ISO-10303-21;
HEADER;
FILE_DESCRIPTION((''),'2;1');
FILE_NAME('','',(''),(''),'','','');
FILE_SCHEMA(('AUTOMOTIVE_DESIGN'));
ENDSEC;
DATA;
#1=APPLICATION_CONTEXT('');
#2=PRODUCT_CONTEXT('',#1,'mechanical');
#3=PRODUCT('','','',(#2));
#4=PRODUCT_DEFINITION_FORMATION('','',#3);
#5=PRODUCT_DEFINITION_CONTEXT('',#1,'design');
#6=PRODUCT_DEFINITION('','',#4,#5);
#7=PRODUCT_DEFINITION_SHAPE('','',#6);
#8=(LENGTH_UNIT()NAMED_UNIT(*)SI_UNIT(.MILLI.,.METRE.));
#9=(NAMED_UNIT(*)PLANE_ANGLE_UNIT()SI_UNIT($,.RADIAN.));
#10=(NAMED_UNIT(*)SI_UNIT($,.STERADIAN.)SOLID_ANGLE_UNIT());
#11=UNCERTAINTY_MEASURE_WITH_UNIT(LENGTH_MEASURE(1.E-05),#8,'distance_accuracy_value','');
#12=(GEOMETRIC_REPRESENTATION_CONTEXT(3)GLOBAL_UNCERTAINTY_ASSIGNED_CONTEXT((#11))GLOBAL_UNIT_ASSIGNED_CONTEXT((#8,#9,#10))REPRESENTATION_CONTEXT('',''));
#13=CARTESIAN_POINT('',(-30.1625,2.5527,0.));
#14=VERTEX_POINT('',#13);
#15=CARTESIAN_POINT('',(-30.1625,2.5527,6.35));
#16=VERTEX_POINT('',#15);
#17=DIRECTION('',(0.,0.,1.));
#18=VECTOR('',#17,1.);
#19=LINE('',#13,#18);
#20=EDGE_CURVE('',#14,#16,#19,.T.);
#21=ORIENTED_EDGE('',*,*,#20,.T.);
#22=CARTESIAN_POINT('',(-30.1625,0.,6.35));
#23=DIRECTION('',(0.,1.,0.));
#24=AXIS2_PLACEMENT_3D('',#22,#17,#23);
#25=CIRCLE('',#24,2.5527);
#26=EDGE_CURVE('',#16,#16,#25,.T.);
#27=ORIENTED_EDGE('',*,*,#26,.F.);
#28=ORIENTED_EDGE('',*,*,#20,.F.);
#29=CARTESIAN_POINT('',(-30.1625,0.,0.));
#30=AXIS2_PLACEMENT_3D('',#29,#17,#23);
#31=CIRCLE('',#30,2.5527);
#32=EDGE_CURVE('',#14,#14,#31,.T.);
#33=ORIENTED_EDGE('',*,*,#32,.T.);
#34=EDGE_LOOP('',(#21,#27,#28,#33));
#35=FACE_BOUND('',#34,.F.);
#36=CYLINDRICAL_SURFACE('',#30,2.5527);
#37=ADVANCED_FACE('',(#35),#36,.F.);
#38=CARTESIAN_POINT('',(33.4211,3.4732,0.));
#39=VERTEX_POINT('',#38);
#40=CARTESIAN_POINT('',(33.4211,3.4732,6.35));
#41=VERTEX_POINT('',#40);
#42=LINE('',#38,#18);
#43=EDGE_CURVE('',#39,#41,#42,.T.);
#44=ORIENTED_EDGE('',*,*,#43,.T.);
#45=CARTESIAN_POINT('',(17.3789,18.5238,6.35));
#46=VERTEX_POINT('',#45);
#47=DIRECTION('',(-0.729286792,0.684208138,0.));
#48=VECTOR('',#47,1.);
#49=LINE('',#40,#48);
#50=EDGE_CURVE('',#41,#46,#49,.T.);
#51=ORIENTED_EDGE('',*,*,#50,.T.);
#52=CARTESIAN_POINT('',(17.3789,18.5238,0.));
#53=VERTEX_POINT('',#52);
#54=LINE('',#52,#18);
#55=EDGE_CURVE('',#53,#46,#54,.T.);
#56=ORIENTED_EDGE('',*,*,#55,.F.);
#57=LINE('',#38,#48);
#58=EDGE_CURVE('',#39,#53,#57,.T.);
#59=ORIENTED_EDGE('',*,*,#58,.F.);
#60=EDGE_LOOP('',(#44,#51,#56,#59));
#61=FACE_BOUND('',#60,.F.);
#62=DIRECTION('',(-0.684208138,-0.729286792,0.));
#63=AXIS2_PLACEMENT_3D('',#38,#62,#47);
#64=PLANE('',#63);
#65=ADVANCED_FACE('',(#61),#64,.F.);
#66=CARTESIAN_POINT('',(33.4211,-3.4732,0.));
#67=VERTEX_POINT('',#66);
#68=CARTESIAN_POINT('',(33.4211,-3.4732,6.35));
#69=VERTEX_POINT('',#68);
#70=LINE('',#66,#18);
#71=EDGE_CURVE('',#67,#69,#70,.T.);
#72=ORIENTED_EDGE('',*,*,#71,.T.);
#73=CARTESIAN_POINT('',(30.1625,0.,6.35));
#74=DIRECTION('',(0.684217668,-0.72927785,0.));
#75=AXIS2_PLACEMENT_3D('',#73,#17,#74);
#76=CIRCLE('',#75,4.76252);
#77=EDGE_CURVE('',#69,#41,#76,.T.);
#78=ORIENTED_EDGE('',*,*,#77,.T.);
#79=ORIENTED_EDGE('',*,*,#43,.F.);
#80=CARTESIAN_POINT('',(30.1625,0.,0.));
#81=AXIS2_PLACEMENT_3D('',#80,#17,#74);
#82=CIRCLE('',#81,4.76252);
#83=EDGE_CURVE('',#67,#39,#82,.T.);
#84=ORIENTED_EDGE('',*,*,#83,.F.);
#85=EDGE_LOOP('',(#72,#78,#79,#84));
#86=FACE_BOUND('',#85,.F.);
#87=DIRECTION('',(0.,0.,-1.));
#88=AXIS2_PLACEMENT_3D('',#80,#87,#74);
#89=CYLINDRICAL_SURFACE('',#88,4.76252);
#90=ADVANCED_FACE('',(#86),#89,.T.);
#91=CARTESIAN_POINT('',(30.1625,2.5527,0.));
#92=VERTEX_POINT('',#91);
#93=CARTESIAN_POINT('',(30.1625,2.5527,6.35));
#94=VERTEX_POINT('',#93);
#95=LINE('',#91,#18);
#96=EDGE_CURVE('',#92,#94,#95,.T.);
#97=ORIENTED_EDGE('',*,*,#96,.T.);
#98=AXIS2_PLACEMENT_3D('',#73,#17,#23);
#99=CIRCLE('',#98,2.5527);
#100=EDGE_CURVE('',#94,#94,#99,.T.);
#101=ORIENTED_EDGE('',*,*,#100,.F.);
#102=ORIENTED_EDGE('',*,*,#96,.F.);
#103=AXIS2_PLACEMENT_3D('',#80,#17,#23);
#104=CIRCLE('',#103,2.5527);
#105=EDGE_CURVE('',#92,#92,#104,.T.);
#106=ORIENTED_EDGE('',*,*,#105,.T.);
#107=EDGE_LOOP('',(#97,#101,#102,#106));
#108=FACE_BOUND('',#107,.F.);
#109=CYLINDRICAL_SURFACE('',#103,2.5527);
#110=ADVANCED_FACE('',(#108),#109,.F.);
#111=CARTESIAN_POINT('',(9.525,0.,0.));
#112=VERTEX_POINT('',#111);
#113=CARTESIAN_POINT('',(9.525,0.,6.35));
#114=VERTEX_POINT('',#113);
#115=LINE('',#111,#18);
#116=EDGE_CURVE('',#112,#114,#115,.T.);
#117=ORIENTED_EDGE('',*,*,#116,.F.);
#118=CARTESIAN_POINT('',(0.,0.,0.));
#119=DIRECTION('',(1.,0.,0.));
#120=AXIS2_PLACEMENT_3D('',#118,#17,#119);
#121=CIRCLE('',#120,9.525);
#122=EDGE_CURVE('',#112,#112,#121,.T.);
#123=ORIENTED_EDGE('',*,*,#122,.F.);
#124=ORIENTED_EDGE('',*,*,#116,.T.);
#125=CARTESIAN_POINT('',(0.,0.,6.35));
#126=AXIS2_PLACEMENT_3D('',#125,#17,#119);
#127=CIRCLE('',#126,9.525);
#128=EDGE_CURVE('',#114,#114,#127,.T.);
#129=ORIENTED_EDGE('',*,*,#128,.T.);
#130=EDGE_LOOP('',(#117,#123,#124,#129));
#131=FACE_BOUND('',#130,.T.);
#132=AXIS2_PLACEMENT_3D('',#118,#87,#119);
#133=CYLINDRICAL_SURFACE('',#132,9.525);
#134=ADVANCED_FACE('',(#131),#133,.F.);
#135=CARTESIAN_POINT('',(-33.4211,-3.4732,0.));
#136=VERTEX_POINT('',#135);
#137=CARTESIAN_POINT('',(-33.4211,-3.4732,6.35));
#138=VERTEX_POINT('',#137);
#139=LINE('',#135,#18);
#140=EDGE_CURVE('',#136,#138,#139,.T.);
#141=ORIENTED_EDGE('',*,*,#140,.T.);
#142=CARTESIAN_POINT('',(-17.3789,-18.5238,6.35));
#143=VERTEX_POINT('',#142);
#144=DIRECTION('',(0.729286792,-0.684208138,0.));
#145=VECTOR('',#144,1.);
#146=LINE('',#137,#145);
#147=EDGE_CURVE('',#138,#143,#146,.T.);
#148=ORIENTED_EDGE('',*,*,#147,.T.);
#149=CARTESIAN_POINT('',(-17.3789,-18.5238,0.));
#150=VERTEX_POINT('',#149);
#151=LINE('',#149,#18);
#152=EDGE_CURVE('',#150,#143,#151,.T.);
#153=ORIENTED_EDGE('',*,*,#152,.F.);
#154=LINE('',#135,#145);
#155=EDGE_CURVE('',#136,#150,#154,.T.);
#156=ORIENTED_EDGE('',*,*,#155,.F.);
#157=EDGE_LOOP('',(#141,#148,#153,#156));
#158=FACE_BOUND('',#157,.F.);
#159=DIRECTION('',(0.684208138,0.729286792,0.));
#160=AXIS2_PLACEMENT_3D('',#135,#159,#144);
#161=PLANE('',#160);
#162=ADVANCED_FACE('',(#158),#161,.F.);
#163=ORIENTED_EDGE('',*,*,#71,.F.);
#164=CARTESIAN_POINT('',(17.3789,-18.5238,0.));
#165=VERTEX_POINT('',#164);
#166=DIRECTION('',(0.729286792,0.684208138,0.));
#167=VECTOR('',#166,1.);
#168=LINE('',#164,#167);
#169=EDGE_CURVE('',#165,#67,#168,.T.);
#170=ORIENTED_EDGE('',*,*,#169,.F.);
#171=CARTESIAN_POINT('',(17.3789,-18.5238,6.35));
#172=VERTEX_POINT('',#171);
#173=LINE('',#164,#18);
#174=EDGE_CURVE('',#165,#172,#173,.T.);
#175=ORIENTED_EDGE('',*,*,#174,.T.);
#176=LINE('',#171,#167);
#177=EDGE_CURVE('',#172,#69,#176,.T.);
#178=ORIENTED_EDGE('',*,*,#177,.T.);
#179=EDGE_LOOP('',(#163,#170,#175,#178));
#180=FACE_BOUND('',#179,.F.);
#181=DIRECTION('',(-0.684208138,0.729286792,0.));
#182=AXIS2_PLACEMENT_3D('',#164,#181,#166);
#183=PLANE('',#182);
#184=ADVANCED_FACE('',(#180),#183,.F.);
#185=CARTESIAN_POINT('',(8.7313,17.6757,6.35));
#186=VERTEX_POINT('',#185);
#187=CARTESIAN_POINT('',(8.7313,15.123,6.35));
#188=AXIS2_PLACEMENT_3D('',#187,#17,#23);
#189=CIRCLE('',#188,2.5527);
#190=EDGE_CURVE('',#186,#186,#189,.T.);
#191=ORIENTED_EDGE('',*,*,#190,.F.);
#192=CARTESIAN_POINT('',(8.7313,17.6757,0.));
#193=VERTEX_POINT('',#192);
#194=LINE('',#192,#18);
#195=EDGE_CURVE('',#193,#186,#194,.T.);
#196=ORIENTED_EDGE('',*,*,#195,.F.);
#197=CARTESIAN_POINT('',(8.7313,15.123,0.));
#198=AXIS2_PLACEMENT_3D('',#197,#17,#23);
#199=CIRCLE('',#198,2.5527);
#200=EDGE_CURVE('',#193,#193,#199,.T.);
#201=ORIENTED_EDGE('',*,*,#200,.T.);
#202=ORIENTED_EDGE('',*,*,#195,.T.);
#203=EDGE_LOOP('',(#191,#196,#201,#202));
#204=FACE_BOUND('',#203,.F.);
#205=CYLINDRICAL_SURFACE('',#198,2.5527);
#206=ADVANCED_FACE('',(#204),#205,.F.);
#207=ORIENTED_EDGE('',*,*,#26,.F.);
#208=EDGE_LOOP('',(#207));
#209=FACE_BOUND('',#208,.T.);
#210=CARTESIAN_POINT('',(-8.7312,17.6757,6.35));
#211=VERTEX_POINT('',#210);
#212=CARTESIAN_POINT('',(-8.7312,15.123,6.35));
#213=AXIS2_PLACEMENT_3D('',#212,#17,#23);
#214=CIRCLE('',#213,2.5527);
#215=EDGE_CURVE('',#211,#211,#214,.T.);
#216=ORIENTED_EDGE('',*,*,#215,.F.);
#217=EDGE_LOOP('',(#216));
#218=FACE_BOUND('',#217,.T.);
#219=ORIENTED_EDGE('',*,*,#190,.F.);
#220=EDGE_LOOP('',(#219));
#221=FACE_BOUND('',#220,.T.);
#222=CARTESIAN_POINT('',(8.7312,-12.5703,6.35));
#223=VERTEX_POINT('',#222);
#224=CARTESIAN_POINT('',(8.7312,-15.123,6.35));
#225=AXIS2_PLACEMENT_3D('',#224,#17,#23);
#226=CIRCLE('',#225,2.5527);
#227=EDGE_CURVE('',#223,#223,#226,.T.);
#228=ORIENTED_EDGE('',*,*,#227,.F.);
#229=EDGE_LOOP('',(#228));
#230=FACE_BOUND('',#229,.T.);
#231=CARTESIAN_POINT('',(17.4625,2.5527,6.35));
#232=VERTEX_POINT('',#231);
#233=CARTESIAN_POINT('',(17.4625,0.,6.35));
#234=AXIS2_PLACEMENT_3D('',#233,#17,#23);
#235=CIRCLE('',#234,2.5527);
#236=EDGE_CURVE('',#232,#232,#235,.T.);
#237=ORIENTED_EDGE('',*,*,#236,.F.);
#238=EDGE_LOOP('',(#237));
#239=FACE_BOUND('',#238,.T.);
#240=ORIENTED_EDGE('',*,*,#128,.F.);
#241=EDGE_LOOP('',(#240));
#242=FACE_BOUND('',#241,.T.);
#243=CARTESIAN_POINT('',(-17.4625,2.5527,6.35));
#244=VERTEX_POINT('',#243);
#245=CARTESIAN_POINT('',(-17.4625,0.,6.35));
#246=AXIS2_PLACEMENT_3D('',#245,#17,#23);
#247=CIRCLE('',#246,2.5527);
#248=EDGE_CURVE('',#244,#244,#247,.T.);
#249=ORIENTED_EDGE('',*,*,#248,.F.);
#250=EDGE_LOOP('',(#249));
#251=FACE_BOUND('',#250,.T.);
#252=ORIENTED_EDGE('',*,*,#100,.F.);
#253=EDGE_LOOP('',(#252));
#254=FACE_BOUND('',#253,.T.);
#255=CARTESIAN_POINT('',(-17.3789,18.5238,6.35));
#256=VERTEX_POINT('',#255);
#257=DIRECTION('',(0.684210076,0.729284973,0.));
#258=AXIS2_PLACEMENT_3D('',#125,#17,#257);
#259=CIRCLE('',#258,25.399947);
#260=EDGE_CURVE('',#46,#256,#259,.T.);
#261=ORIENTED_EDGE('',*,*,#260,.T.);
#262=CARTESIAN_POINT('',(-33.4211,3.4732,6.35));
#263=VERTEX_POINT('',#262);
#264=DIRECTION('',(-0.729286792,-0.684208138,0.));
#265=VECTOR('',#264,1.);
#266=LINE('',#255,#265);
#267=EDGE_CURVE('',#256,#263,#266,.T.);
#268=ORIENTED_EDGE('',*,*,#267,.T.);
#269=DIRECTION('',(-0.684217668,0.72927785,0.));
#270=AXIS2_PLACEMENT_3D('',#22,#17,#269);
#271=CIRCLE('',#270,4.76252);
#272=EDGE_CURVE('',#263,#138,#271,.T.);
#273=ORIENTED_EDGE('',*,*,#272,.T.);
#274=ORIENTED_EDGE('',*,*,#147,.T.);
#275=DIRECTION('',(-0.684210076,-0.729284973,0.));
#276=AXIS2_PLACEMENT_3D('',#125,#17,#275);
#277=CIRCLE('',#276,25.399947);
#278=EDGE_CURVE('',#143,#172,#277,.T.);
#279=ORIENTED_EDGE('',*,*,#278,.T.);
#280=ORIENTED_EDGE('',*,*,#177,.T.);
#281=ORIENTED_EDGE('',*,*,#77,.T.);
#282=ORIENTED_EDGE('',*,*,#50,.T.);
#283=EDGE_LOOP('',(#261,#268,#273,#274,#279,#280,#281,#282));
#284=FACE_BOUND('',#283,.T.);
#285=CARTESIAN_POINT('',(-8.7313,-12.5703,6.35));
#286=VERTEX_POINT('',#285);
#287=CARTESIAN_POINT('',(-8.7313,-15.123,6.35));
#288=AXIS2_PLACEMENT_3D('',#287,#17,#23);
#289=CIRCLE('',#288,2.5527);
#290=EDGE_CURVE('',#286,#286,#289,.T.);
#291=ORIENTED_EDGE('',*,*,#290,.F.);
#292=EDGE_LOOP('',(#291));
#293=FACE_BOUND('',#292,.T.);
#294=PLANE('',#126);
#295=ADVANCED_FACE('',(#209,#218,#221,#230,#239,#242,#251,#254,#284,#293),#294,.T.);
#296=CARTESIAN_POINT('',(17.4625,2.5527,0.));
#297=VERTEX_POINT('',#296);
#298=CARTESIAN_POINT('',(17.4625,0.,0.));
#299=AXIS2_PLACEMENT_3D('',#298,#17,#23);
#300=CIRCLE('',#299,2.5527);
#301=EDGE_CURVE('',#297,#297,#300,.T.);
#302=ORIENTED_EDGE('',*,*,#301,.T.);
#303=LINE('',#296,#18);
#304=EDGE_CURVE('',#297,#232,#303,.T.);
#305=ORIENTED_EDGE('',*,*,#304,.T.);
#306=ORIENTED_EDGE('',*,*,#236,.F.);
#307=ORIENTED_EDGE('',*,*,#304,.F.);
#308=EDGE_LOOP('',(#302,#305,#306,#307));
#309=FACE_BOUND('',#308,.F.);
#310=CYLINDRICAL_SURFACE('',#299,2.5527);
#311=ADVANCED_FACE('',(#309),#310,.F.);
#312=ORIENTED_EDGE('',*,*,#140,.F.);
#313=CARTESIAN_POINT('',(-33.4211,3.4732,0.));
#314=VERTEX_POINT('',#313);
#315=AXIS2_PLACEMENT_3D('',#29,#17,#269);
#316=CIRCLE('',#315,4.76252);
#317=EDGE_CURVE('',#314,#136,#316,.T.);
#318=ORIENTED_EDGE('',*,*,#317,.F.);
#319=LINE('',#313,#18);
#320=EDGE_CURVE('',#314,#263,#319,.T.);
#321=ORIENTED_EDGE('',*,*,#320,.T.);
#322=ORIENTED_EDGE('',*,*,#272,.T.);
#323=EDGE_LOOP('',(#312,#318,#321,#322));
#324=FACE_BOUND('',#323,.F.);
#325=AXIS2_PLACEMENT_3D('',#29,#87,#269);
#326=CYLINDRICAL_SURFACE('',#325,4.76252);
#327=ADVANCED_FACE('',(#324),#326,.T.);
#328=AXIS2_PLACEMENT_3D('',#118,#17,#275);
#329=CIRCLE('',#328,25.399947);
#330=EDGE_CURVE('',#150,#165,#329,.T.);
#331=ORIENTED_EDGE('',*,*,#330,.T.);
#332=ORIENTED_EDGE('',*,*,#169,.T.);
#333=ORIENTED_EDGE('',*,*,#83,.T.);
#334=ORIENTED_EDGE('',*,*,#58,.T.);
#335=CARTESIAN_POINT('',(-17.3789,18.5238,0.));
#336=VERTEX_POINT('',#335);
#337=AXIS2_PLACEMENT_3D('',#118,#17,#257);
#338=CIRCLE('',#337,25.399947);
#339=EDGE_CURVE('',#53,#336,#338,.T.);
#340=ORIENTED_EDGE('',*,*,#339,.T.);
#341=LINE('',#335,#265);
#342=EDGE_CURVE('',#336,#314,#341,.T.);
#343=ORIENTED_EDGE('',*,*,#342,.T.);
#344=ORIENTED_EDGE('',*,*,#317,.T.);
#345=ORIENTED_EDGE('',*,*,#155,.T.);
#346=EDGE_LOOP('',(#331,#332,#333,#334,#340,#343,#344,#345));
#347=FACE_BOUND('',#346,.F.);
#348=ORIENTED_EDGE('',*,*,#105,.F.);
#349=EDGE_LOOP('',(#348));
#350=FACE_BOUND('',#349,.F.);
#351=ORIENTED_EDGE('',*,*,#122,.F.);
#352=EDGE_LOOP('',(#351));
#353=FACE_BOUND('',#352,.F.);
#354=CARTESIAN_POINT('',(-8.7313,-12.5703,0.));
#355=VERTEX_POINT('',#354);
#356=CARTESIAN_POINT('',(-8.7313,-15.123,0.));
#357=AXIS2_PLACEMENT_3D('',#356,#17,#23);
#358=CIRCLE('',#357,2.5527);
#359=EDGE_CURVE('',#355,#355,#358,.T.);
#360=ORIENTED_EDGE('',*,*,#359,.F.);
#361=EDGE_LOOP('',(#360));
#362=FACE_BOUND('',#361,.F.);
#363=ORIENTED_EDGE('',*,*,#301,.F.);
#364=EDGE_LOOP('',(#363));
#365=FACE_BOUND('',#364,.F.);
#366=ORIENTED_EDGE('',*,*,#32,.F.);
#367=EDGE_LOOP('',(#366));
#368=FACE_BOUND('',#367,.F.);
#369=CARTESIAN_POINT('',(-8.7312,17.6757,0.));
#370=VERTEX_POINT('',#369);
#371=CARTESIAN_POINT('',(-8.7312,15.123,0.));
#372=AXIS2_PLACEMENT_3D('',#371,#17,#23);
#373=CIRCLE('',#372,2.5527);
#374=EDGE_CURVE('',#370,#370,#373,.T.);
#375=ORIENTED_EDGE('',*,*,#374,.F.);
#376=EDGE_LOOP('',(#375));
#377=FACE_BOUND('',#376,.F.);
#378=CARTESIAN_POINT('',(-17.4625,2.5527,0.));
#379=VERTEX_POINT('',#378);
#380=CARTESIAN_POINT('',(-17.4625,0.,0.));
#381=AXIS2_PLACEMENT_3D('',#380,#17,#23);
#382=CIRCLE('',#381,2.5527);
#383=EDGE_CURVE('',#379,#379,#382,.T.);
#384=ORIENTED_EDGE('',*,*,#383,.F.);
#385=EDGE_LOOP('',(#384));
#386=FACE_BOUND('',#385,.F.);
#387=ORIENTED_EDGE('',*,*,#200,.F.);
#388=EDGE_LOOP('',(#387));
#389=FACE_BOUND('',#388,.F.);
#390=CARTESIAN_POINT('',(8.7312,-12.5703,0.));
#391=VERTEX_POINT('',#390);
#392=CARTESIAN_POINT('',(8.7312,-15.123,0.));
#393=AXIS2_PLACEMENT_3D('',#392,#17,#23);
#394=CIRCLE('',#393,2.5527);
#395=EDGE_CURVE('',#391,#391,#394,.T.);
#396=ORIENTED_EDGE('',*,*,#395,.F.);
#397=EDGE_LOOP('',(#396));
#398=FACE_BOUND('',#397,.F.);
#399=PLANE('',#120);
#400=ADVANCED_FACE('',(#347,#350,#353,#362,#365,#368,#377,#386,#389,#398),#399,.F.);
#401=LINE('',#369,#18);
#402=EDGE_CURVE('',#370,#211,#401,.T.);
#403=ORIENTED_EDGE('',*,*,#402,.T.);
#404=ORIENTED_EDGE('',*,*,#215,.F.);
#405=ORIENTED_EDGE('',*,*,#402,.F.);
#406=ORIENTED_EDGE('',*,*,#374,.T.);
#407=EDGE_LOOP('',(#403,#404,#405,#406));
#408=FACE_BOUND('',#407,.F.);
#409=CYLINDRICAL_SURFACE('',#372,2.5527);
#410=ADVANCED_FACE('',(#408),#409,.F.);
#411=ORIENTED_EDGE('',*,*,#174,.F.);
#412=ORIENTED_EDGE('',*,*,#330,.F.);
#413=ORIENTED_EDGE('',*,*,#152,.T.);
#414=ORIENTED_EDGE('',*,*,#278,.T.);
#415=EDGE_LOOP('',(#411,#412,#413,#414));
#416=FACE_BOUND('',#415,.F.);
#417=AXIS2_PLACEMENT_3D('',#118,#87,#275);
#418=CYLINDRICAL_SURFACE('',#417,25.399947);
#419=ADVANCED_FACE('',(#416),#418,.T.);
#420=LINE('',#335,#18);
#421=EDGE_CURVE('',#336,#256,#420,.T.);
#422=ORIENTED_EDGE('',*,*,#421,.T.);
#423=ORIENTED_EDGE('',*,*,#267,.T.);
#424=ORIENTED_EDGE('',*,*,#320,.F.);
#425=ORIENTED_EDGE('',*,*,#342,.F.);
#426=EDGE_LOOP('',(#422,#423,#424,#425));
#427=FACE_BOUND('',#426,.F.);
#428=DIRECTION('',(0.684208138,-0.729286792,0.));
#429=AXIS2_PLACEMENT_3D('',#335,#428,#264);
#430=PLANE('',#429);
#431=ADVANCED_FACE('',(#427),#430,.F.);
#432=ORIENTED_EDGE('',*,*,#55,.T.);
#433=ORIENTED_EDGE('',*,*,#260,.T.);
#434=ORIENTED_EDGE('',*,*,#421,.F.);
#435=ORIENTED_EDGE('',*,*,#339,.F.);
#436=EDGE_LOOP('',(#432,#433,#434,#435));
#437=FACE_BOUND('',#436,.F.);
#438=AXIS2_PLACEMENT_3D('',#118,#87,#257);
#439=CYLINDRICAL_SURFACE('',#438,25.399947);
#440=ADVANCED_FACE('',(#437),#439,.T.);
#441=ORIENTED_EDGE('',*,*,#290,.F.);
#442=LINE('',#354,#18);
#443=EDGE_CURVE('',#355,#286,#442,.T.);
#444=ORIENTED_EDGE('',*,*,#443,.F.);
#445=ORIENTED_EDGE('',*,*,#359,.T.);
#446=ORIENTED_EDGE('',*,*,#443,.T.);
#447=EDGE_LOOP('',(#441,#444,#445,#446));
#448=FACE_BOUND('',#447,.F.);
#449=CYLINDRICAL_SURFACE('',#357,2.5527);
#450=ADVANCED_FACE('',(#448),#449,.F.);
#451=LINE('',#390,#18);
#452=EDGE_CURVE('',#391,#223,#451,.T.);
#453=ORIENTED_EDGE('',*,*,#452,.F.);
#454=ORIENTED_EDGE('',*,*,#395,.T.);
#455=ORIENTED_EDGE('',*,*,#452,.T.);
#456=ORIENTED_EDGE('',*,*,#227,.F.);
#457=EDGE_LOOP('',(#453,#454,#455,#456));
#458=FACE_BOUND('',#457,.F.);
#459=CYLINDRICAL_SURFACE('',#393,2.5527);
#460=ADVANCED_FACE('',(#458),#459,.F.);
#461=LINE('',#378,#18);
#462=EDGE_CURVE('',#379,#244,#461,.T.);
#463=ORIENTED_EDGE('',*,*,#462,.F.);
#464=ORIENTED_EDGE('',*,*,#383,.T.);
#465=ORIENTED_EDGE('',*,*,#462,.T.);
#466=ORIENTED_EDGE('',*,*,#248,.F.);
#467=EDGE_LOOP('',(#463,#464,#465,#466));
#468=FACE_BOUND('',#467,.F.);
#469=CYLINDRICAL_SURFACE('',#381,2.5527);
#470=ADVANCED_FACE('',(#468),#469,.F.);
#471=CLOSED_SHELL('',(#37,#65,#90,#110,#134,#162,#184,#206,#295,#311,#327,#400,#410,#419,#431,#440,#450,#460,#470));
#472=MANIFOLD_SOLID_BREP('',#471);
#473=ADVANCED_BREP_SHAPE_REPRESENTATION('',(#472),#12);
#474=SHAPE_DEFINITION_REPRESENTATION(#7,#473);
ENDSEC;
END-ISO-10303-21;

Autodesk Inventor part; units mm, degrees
ref_plane "YZ Plane" through (0, 0, 0) normal (1, 0, 0) x (0, 1, 0)
ref_plane "XZ Plane" through (0, 0, 0) normal (0, 1, 0) x (-1, 0, 0)
ref_plane "XY Plane" through (0, 0, 0) normal (0, 0, 1) x (1, 0, 0)
sketch "Sketch1" plane through (0, 0, 0) normal (0, 0, 1) x (1, 0, 0)
  circle A0 centre (0, 0) radius 9.525
  circle A1 centre (0, 0) radius 25.4 construction
  circle A2 centre (-30.1625, 0) radius 4.7625 construction
  circle A3 centre (30.1625, 0) radius 4.7625 construction
  circle A4 centre (0, 0) radius 17.4625 construction
  line L0 (-17.3789, 18.5238) -> (-33.4211, 3.4732)
  line L1 (-33.4211, -3.4732) -> (-17.3789, -18.5238)
  line L2 (17.3789, -18.5238) -> (33.4211, -3.4732)
  line L3 (33.4211, 3.4732) -> (17.3789, 18.5238)
  arc A5 (-33.4211, 3.4732) -> (-33.4211, -3.4732) centre (-30.1625, 0) ccw
  arc A6 (-17.3789, -18.5238) -> (17.3789, -18.5238) centre (0, 0) ccw
  arc A7 (33.4211, -3.4732) -> (33.4211, 3.4732) centre (30.1625, 0) ccw
  arc A8 (17.3789, 18.5238) -> (-17.3789, 18.5238) centre (0, 0) ccw
  point P0 (-17.4625, 0)
  point P1 (-8.7313, -15.123)
  point P2 (8.7312, -15.123)
  point P3 (17.4625, 0)
  point P4 (8.7313, 15.123)
  point P5 (-8.7312, 15.123)
  dimension "d3" = 34.925
  dimension "d0" = 19.05
  dimension "d1" = 50.8
  dimension "d2" = 9.525
  dimension "d6" = 360
extrude "Extrusion1" add sketch "Sketch1" along normal blind 6.35
hole "Hole1" at (-17.4625, 0, 0) at (-8.7313, -15.123, 0) at (8.7312, -15.123, 0) at (17.4625, 0, 0) at (8.7313, 15.123, 0) at (-8.7312, 15.123, 0) at (-30.1625, 0, 0) at (30.1625, 0, 0) direction (0, 0, 1) diameter 5.1054 end through all clearance for "Flat Head Machine Screw (82)" size "#10" standard "Ansi Unified Screw Threads"
properties part number "GP7-003" material "Polycarbonate, Smoke"
